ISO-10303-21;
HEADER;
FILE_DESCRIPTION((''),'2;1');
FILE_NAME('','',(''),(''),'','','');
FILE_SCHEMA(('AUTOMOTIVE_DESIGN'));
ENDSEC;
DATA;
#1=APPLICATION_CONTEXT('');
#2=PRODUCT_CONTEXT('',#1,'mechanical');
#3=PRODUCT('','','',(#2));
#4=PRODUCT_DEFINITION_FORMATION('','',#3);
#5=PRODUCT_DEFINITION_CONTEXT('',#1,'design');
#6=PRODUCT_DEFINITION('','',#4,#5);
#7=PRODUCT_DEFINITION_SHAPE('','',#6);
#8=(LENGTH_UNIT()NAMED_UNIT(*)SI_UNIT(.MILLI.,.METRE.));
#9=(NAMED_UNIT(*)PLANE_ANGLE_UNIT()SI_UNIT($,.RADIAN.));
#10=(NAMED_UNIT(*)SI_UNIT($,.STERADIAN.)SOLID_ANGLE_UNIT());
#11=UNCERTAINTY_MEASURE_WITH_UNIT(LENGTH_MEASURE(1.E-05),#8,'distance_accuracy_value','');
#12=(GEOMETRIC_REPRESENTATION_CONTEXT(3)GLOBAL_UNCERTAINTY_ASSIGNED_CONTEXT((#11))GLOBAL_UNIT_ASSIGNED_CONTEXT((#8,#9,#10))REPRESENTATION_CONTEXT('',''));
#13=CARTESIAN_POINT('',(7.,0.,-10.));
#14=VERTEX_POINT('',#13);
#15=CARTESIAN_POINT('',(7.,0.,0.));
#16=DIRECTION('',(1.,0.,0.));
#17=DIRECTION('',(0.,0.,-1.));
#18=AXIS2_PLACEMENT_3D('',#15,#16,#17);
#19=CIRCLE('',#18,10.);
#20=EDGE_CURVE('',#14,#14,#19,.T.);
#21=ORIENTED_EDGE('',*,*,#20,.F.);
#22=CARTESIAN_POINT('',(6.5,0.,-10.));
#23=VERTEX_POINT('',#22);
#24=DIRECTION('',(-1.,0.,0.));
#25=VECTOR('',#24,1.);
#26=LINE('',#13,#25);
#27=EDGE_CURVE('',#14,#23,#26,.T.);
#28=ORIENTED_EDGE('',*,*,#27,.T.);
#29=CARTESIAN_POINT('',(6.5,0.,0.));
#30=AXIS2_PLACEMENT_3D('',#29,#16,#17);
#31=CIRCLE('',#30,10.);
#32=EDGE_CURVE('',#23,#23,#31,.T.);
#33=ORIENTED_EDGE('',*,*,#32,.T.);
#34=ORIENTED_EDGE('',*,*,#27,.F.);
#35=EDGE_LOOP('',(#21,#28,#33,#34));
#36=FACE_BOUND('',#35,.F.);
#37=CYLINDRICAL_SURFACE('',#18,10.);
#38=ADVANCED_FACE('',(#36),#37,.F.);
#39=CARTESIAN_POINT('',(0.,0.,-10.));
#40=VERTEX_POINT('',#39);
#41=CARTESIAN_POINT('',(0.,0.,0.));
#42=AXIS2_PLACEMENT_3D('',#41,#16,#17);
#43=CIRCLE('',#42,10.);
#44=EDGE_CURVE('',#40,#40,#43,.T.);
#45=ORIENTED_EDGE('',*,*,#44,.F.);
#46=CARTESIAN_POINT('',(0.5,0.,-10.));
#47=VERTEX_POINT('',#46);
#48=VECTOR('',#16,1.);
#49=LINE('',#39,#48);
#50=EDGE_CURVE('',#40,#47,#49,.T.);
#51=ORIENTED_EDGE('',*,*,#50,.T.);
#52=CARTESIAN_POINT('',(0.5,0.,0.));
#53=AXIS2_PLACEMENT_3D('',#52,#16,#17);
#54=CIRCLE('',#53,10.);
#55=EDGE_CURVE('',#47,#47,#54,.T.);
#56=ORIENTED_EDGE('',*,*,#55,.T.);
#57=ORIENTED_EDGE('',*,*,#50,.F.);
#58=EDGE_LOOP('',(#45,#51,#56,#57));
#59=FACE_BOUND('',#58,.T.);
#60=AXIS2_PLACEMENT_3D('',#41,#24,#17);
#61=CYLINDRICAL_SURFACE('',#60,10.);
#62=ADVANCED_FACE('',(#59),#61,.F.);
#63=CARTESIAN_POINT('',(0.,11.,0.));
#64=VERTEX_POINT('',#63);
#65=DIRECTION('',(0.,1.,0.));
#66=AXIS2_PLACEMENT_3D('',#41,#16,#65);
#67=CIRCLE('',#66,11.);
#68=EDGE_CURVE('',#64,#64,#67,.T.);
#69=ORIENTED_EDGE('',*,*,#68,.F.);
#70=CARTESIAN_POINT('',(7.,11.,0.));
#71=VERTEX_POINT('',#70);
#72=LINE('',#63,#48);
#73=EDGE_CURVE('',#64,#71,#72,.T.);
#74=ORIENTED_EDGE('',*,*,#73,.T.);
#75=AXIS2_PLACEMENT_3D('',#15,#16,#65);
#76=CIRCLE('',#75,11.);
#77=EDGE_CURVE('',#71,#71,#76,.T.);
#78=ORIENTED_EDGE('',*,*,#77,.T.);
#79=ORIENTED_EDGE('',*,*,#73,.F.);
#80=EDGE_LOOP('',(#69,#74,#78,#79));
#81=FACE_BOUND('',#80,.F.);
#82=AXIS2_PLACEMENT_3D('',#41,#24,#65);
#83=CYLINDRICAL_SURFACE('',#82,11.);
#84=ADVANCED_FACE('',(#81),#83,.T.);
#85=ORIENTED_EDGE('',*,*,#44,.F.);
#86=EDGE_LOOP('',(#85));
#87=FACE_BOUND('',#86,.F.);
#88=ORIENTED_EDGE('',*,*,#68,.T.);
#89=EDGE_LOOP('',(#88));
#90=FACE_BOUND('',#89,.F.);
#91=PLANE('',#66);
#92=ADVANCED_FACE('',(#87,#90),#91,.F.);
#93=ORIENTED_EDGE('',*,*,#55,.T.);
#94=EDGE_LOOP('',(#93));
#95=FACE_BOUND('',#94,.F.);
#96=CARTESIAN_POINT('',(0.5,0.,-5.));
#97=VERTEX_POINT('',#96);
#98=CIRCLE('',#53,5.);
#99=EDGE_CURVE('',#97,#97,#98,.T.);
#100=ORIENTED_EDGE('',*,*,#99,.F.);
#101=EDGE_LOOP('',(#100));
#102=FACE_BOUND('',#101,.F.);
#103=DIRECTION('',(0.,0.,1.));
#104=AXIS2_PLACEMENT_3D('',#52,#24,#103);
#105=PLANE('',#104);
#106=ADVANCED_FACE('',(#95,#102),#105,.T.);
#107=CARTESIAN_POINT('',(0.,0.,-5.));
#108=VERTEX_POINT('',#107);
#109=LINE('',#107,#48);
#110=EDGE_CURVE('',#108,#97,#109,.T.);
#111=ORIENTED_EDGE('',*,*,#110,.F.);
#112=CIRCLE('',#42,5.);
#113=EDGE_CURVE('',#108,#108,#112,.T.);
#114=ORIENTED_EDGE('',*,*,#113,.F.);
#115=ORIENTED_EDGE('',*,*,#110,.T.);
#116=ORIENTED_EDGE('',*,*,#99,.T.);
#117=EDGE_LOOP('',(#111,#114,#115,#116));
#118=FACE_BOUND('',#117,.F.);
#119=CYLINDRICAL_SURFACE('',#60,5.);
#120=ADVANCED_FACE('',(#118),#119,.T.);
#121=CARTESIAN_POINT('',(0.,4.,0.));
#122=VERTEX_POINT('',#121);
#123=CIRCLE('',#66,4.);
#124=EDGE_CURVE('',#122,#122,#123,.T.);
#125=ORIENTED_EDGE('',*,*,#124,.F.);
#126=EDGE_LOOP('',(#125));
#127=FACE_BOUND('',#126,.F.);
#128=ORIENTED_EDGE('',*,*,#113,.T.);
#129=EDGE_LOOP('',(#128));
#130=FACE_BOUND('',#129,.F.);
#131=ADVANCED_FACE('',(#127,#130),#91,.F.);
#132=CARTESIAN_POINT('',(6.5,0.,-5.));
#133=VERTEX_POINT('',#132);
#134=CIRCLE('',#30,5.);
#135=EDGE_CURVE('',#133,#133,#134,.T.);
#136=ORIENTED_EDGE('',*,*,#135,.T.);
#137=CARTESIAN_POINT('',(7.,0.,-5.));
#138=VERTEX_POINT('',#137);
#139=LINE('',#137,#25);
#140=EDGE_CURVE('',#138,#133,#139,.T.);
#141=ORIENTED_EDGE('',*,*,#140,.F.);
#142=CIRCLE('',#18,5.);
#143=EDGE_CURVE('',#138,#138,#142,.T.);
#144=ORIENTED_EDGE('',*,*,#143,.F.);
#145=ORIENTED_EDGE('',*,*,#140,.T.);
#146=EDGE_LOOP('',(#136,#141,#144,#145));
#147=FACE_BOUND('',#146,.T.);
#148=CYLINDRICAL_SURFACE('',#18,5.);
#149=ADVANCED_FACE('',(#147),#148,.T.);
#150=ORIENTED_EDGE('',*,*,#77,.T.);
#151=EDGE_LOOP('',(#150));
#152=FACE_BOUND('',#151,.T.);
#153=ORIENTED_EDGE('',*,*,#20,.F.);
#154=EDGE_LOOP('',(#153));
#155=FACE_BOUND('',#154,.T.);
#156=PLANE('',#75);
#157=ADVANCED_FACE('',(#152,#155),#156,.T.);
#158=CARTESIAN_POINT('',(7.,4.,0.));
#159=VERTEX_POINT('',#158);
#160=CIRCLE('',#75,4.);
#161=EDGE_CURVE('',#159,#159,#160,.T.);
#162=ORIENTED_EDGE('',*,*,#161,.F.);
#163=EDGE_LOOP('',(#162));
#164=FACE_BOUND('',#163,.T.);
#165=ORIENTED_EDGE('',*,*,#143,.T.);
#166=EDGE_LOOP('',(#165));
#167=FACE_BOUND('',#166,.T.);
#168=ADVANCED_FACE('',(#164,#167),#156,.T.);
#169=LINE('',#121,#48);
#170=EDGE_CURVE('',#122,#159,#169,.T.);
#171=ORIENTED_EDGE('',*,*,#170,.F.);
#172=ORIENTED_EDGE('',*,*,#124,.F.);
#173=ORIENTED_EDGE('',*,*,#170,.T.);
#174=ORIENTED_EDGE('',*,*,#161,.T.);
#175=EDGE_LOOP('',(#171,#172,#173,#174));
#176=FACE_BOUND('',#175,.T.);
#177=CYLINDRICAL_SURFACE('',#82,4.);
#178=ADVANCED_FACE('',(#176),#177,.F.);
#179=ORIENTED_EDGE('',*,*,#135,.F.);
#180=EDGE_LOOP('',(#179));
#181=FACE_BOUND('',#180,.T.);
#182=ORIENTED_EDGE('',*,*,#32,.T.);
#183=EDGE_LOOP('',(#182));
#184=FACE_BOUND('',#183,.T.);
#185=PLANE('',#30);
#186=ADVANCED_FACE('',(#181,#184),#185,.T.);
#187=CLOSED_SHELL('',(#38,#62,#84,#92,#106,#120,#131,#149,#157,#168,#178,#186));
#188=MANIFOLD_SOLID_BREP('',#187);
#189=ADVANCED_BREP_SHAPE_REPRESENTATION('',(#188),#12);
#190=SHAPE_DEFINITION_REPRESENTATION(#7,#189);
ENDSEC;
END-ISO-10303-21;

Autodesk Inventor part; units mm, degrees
ref_plane "YZ Plane" through (0, 0, 0) normal (1, 0, 0) x (0, 1, 0)
ref_plane "XZ Plane" through (0, 0, 0) normal (0, 1, 0) x (-1, 0, 0)
sketch "Sketch1" plane through (0, 0, 0) normal (1, 0, 0) x (0, 1, 0)
  circle A0 centre (0, 0) radius 4
  circle A1 centre (0, 0) radius 11
  dimension "d0" = 8
  dimension "d1" = 22
extrude "Extrusion1" add sketch "Sketch1" along normal blind 7
ref_plane "Work Plane1" through (3.5, 0, 0) normal (-1, 0, 0) x (0, 0, 1)
sketch "Sketch2" plane through (7, 0, 0) normal (1, 0, 0) x (0, 0, -1)
  circle A0 centre (0, 0) radius 4 projected
  circle A1 centre (0, 0) radius 11 projected
  circle A2 centre (0, 0) radius 5
  circle A3 centre (0, 0) radius 10
  dimension "d4" = 1
  dimension "d5" = 1
extrude "Extrusion2" cut sketch "Sketch2" against normal blind 0.5 contours A3
mirror "Mirror1" about plane through (3.5, 0, 0) normal (-1, 0, 0) of "Extrusion2"
properties part number "608bearing"
